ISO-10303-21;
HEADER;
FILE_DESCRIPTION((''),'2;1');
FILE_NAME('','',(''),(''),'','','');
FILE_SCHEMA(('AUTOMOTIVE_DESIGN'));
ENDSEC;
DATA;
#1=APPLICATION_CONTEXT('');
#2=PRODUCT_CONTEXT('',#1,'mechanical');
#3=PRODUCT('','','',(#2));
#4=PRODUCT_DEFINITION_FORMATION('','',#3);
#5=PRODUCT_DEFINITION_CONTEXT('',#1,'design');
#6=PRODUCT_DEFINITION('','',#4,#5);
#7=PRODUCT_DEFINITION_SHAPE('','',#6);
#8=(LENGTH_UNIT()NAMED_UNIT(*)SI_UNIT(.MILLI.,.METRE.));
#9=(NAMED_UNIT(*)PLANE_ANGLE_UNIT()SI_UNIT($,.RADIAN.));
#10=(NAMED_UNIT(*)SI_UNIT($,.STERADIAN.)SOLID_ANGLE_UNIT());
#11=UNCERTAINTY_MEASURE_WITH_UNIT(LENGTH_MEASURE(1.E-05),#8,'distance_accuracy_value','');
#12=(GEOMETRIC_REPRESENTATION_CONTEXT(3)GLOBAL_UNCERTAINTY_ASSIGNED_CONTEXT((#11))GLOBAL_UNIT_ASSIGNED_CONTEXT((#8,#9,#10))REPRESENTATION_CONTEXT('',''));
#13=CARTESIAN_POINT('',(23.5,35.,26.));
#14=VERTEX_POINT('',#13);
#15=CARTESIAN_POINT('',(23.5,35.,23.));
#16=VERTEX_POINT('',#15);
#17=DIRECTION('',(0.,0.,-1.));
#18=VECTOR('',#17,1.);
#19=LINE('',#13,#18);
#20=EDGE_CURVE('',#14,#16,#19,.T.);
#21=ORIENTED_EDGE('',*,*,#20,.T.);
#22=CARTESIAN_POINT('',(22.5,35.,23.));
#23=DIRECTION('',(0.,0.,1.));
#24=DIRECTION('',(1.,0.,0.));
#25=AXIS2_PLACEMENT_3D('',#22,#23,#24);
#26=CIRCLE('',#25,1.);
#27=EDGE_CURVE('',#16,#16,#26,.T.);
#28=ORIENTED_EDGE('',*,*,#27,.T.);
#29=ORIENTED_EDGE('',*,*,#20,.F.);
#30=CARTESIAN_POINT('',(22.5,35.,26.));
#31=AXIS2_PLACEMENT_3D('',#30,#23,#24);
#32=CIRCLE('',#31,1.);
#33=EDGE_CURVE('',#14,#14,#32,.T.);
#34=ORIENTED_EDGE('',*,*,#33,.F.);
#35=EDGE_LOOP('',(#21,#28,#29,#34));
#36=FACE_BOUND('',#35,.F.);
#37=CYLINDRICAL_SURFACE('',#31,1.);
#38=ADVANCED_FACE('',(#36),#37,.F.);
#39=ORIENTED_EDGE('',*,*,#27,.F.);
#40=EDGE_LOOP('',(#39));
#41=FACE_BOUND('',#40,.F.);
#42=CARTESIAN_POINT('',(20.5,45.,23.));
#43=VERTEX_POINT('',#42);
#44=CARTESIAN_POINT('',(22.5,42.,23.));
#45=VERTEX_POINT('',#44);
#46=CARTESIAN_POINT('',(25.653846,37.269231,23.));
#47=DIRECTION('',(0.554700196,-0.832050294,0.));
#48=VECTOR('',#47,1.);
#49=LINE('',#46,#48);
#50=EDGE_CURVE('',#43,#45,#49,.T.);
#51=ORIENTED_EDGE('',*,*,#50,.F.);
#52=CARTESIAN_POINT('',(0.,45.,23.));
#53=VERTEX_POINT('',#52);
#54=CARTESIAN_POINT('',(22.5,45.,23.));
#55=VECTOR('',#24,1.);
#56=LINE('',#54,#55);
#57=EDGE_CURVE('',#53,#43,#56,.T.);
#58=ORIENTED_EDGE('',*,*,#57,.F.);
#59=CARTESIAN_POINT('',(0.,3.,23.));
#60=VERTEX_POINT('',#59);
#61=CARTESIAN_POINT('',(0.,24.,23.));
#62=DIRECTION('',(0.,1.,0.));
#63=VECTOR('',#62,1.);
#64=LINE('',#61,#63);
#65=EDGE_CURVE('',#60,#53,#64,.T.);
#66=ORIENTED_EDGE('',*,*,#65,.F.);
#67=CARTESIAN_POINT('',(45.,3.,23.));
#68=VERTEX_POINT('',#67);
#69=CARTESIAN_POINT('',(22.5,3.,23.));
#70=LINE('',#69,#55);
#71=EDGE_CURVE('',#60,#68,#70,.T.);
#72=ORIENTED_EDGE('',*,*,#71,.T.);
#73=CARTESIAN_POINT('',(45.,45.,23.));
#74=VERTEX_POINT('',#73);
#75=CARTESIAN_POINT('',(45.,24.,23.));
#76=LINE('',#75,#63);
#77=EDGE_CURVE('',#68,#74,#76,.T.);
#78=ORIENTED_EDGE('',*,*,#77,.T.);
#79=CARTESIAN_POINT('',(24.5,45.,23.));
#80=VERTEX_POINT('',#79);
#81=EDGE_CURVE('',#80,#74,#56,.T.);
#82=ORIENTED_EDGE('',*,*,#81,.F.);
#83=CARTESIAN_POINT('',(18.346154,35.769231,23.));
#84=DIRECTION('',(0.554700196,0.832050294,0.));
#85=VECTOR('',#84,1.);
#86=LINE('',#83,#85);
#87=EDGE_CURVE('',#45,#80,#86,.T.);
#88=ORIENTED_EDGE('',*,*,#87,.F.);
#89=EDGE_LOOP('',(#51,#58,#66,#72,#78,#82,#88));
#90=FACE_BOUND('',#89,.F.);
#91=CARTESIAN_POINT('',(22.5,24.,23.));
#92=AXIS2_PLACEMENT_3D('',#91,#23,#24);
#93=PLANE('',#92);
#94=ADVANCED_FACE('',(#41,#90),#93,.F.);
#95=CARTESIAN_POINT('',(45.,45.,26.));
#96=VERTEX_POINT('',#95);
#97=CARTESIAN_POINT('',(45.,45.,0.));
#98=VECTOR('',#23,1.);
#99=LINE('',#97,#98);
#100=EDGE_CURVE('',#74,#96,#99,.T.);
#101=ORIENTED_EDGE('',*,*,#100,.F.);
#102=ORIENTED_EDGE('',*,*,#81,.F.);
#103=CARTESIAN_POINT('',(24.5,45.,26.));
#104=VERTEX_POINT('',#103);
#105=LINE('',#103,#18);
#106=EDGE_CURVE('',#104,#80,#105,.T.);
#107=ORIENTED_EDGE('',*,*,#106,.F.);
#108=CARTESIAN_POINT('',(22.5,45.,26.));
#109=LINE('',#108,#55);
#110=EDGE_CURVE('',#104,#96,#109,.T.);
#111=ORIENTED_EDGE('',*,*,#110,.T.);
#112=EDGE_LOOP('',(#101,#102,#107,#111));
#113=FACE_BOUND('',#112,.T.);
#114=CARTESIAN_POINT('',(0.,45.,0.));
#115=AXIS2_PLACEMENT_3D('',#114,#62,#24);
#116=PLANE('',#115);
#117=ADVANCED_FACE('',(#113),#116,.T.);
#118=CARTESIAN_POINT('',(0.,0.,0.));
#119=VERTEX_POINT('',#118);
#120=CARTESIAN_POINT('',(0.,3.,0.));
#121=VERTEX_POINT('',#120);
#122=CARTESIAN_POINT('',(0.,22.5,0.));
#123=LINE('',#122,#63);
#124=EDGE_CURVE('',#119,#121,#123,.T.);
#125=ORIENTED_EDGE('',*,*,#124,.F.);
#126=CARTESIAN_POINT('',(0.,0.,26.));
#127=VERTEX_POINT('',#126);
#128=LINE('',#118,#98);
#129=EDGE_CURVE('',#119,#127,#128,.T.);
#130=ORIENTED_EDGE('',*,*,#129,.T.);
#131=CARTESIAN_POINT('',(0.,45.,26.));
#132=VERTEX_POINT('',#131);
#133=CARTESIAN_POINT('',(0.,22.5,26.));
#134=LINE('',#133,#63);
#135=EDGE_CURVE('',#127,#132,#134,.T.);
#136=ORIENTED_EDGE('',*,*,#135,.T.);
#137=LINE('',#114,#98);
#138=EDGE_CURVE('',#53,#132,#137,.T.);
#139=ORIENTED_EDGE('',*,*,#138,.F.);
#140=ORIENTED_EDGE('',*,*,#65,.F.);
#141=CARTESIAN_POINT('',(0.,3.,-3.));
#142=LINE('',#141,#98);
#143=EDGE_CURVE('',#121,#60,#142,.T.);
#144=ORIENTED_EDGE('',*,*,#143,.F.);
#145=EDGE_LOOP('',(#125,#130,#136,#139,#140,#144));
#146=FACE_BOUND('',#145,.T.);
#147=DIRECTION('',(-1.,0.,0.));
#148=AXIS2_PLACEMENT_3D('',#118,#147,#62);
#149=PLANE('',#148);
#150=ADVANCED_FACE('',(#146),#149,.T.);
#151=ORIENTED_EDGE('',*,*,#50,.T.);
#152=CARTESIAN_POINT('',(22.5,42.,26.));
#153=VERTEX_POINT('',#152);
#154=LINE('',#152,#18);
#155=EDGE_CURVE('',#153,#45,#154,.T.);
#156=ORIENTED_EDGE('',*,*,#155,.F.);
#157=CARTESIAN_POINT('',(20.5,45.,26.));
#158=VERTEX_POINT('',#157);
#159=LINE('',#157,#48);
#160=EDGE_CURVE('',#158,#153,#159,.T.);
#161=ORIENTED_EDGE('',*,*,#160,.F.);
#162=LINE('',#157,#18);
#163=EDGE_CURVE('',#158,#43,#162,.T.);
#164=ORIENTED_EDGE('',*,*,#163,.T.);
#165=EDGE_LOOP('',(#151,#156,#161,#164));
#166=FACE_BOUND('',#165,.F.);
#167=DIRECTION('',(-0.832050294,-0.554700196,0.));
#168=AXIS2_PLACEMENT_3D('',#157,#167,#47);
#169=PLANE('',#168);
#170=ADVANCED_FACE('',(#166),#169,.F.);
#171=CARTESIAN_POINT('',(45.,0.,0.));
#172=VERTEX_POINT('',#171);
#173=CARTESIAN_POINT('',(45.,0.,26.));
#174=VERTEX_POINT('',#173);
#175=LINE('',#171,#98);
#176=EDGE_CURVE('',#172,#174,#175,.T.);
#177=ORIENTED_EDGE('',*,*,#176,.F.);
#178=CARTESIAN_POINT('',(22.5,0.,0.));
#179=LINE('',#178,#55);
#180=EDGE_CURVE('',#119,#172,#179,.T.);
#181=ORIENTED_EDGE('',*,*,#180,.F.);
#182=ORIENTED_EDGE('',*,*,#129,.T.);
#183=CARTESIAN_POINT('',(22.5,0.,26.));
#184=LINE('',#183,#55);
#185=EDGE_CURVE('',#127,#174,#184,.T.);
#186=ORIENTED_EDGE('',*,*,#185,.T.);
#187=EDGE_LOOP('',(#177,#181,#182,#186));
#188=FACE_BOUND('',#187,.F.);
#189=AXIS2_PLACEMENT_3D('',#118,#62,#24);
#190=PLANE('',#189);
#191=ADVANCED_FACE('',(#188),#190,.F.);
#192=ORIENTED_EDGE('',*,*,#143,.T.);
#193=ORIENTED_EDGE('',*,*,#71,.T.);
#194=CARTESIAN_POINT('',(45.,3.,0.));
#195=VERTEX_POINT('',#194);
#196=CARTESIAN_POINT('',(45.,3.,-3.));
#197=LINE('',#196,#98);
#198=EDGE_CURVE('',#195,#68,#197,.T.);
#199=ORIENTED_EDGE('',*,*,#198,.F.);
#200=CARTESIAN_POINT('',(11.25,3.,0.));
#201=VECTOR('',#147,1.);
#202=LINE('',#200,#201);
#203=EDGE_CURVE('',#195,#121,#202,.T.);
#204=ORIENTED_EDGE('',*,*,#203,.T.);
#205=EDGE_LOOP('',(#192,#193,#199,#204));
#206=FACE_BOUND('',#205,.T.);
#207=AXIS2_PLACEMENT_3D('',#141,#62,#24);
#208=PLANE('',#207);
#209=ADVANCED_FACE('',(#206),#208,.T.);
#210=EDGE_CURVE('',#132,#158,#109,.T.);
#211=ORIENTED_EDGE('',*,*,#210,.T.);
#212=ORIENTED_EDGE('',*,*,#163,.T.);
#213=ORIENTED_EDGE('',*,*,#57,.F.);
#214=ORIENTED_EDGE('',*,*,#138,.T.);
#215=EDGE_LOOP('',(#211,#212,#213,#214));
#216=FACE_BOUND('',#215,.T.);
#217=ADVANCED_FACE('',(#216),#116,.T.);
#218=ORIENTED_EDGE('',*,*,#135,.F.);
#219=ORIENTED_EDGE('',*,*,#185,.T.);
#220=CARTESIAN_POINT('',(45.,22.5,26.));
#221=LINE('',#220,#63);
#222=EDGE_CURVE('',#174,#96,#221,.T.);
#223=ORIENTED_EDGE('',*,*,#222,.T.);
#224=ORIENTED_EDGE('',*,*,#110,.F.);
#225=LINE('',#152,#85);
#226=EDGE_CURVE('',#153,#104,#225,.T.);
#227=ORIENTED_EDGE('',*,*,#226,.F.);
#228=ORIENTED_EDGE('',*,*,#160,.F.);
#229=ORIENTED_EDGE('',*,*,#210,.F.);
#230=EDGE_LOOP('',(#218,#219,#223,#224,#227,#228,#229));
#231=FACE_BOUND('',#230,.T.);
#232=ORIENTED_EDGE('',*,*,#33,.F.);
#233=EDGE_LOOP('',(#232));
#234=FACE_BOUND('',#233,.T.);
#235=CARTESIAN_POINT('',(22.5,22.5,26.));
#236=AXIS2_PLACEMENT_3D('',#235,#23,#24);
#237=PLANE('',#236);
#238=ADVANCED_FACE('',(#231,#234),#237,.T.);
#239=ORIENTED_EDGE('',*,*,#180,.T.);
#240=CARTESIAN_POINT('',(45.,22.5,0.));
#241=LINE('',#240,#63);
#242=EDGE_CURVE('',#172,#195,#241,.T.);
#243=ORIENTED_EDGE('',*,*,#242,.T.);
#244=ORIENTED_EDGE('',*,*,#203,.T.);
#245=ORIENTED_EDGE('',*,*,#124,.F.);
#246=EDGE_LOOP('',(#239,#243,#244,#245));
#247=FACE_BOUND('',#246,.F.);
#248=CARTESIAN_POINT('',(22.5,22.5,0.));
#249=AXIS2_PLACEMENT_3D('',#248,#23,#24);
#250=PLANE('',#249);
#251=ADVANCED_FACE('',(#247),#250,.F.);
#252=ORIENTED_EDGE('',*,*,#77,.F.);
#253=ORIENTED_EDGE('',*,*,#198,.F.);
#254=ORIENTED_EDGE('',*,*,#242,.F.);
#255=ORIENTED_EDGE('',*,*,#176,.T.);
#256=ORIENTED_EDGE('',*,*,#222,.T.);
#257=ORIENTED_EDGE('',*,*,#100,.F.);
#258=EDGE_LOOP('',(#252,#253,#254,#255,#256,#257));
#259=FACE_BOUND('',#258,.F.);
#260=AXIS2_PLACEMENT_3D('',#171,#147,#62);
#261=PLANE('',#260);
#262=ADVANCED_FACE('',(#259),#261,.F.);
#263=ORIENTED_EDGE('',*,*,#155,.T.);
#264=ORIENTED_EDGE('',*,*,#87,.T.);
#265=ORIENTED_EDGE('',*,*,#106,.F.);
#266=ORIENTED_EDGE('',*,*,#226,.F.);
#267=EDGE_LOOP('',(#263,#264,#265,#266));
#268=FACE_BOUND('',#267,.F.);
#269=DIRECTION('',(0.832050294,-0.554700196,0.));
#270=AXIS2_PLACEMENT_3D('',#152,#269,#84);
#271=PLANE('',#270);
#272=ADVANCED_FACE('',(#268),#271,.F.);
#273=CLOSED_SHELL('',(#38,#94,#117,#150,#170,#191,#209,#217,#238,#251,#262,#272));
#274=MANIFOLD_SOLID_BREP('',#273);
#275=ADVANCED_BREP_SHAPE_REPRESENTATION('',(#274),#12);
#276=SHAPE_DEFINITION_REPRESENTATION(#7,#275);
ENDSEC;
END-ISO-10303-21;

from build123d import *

# Parameters (mm, degrees)
SKETCH001_W     = 45
SKETCH001_H     = 42
PAD001_DEPTH    = 26
SKETCH_W        = 45
SKETCH_H        = 45
PAD_DEPTH       = 26
SKETCH002_R     = 1
POCKET_DEPTH    = 26.001
POCKET001_DEPTH = 5


with BuildPart() as batoque:
    # Sketch001 → Pad001 (new body)
    with BuildSketch(Plane.XY):
        with Locations((22.5, 21)):
            Rectangle(SKETCH001_W, SKETCH001_H)
    extrude(amount=PAD001_DEPTH)


with BuildPart() as batoque_1:
    # Body001 placement: moved
    add(batoque.part.moved(Location((0, 3, -3))))


with BuildPart() as gabarito:
    # Sketch → Pad (new body)
    with BuildSketch(Plane.XY):
        with Locations((22.5, 22.5)):
            Rectangle(SKETCH_W, SKETCH_H)
    extrude(amount=PAD_DEPTH)

    # Sketch002 → Pocket (cut, through all)
    with BuildSketch(Plane.XY.offset(26)):
        with Locations((22.5, 35)):
            Circle(SKETCH002_R)
    extrude(amount=-POCKET_DEPTH, mode=Mode.SUBTRACT)

    # Boolean: cut Batoque
    add(batoque_1.part, mode=Mode.SUBTRACT)

    # Sketch003 (on Face4 of Boolean) → Pocket001 (cut)
    with BuildSketch(Plane.XY.offset(26)):
        Polygon((20.5, 45), (22.5, 42), (24.5, 45), align=None)
    extrude(amount=-POCKET001_DEPTH, mode=Mode.SUBTRACT)


solid = gabarito.part
